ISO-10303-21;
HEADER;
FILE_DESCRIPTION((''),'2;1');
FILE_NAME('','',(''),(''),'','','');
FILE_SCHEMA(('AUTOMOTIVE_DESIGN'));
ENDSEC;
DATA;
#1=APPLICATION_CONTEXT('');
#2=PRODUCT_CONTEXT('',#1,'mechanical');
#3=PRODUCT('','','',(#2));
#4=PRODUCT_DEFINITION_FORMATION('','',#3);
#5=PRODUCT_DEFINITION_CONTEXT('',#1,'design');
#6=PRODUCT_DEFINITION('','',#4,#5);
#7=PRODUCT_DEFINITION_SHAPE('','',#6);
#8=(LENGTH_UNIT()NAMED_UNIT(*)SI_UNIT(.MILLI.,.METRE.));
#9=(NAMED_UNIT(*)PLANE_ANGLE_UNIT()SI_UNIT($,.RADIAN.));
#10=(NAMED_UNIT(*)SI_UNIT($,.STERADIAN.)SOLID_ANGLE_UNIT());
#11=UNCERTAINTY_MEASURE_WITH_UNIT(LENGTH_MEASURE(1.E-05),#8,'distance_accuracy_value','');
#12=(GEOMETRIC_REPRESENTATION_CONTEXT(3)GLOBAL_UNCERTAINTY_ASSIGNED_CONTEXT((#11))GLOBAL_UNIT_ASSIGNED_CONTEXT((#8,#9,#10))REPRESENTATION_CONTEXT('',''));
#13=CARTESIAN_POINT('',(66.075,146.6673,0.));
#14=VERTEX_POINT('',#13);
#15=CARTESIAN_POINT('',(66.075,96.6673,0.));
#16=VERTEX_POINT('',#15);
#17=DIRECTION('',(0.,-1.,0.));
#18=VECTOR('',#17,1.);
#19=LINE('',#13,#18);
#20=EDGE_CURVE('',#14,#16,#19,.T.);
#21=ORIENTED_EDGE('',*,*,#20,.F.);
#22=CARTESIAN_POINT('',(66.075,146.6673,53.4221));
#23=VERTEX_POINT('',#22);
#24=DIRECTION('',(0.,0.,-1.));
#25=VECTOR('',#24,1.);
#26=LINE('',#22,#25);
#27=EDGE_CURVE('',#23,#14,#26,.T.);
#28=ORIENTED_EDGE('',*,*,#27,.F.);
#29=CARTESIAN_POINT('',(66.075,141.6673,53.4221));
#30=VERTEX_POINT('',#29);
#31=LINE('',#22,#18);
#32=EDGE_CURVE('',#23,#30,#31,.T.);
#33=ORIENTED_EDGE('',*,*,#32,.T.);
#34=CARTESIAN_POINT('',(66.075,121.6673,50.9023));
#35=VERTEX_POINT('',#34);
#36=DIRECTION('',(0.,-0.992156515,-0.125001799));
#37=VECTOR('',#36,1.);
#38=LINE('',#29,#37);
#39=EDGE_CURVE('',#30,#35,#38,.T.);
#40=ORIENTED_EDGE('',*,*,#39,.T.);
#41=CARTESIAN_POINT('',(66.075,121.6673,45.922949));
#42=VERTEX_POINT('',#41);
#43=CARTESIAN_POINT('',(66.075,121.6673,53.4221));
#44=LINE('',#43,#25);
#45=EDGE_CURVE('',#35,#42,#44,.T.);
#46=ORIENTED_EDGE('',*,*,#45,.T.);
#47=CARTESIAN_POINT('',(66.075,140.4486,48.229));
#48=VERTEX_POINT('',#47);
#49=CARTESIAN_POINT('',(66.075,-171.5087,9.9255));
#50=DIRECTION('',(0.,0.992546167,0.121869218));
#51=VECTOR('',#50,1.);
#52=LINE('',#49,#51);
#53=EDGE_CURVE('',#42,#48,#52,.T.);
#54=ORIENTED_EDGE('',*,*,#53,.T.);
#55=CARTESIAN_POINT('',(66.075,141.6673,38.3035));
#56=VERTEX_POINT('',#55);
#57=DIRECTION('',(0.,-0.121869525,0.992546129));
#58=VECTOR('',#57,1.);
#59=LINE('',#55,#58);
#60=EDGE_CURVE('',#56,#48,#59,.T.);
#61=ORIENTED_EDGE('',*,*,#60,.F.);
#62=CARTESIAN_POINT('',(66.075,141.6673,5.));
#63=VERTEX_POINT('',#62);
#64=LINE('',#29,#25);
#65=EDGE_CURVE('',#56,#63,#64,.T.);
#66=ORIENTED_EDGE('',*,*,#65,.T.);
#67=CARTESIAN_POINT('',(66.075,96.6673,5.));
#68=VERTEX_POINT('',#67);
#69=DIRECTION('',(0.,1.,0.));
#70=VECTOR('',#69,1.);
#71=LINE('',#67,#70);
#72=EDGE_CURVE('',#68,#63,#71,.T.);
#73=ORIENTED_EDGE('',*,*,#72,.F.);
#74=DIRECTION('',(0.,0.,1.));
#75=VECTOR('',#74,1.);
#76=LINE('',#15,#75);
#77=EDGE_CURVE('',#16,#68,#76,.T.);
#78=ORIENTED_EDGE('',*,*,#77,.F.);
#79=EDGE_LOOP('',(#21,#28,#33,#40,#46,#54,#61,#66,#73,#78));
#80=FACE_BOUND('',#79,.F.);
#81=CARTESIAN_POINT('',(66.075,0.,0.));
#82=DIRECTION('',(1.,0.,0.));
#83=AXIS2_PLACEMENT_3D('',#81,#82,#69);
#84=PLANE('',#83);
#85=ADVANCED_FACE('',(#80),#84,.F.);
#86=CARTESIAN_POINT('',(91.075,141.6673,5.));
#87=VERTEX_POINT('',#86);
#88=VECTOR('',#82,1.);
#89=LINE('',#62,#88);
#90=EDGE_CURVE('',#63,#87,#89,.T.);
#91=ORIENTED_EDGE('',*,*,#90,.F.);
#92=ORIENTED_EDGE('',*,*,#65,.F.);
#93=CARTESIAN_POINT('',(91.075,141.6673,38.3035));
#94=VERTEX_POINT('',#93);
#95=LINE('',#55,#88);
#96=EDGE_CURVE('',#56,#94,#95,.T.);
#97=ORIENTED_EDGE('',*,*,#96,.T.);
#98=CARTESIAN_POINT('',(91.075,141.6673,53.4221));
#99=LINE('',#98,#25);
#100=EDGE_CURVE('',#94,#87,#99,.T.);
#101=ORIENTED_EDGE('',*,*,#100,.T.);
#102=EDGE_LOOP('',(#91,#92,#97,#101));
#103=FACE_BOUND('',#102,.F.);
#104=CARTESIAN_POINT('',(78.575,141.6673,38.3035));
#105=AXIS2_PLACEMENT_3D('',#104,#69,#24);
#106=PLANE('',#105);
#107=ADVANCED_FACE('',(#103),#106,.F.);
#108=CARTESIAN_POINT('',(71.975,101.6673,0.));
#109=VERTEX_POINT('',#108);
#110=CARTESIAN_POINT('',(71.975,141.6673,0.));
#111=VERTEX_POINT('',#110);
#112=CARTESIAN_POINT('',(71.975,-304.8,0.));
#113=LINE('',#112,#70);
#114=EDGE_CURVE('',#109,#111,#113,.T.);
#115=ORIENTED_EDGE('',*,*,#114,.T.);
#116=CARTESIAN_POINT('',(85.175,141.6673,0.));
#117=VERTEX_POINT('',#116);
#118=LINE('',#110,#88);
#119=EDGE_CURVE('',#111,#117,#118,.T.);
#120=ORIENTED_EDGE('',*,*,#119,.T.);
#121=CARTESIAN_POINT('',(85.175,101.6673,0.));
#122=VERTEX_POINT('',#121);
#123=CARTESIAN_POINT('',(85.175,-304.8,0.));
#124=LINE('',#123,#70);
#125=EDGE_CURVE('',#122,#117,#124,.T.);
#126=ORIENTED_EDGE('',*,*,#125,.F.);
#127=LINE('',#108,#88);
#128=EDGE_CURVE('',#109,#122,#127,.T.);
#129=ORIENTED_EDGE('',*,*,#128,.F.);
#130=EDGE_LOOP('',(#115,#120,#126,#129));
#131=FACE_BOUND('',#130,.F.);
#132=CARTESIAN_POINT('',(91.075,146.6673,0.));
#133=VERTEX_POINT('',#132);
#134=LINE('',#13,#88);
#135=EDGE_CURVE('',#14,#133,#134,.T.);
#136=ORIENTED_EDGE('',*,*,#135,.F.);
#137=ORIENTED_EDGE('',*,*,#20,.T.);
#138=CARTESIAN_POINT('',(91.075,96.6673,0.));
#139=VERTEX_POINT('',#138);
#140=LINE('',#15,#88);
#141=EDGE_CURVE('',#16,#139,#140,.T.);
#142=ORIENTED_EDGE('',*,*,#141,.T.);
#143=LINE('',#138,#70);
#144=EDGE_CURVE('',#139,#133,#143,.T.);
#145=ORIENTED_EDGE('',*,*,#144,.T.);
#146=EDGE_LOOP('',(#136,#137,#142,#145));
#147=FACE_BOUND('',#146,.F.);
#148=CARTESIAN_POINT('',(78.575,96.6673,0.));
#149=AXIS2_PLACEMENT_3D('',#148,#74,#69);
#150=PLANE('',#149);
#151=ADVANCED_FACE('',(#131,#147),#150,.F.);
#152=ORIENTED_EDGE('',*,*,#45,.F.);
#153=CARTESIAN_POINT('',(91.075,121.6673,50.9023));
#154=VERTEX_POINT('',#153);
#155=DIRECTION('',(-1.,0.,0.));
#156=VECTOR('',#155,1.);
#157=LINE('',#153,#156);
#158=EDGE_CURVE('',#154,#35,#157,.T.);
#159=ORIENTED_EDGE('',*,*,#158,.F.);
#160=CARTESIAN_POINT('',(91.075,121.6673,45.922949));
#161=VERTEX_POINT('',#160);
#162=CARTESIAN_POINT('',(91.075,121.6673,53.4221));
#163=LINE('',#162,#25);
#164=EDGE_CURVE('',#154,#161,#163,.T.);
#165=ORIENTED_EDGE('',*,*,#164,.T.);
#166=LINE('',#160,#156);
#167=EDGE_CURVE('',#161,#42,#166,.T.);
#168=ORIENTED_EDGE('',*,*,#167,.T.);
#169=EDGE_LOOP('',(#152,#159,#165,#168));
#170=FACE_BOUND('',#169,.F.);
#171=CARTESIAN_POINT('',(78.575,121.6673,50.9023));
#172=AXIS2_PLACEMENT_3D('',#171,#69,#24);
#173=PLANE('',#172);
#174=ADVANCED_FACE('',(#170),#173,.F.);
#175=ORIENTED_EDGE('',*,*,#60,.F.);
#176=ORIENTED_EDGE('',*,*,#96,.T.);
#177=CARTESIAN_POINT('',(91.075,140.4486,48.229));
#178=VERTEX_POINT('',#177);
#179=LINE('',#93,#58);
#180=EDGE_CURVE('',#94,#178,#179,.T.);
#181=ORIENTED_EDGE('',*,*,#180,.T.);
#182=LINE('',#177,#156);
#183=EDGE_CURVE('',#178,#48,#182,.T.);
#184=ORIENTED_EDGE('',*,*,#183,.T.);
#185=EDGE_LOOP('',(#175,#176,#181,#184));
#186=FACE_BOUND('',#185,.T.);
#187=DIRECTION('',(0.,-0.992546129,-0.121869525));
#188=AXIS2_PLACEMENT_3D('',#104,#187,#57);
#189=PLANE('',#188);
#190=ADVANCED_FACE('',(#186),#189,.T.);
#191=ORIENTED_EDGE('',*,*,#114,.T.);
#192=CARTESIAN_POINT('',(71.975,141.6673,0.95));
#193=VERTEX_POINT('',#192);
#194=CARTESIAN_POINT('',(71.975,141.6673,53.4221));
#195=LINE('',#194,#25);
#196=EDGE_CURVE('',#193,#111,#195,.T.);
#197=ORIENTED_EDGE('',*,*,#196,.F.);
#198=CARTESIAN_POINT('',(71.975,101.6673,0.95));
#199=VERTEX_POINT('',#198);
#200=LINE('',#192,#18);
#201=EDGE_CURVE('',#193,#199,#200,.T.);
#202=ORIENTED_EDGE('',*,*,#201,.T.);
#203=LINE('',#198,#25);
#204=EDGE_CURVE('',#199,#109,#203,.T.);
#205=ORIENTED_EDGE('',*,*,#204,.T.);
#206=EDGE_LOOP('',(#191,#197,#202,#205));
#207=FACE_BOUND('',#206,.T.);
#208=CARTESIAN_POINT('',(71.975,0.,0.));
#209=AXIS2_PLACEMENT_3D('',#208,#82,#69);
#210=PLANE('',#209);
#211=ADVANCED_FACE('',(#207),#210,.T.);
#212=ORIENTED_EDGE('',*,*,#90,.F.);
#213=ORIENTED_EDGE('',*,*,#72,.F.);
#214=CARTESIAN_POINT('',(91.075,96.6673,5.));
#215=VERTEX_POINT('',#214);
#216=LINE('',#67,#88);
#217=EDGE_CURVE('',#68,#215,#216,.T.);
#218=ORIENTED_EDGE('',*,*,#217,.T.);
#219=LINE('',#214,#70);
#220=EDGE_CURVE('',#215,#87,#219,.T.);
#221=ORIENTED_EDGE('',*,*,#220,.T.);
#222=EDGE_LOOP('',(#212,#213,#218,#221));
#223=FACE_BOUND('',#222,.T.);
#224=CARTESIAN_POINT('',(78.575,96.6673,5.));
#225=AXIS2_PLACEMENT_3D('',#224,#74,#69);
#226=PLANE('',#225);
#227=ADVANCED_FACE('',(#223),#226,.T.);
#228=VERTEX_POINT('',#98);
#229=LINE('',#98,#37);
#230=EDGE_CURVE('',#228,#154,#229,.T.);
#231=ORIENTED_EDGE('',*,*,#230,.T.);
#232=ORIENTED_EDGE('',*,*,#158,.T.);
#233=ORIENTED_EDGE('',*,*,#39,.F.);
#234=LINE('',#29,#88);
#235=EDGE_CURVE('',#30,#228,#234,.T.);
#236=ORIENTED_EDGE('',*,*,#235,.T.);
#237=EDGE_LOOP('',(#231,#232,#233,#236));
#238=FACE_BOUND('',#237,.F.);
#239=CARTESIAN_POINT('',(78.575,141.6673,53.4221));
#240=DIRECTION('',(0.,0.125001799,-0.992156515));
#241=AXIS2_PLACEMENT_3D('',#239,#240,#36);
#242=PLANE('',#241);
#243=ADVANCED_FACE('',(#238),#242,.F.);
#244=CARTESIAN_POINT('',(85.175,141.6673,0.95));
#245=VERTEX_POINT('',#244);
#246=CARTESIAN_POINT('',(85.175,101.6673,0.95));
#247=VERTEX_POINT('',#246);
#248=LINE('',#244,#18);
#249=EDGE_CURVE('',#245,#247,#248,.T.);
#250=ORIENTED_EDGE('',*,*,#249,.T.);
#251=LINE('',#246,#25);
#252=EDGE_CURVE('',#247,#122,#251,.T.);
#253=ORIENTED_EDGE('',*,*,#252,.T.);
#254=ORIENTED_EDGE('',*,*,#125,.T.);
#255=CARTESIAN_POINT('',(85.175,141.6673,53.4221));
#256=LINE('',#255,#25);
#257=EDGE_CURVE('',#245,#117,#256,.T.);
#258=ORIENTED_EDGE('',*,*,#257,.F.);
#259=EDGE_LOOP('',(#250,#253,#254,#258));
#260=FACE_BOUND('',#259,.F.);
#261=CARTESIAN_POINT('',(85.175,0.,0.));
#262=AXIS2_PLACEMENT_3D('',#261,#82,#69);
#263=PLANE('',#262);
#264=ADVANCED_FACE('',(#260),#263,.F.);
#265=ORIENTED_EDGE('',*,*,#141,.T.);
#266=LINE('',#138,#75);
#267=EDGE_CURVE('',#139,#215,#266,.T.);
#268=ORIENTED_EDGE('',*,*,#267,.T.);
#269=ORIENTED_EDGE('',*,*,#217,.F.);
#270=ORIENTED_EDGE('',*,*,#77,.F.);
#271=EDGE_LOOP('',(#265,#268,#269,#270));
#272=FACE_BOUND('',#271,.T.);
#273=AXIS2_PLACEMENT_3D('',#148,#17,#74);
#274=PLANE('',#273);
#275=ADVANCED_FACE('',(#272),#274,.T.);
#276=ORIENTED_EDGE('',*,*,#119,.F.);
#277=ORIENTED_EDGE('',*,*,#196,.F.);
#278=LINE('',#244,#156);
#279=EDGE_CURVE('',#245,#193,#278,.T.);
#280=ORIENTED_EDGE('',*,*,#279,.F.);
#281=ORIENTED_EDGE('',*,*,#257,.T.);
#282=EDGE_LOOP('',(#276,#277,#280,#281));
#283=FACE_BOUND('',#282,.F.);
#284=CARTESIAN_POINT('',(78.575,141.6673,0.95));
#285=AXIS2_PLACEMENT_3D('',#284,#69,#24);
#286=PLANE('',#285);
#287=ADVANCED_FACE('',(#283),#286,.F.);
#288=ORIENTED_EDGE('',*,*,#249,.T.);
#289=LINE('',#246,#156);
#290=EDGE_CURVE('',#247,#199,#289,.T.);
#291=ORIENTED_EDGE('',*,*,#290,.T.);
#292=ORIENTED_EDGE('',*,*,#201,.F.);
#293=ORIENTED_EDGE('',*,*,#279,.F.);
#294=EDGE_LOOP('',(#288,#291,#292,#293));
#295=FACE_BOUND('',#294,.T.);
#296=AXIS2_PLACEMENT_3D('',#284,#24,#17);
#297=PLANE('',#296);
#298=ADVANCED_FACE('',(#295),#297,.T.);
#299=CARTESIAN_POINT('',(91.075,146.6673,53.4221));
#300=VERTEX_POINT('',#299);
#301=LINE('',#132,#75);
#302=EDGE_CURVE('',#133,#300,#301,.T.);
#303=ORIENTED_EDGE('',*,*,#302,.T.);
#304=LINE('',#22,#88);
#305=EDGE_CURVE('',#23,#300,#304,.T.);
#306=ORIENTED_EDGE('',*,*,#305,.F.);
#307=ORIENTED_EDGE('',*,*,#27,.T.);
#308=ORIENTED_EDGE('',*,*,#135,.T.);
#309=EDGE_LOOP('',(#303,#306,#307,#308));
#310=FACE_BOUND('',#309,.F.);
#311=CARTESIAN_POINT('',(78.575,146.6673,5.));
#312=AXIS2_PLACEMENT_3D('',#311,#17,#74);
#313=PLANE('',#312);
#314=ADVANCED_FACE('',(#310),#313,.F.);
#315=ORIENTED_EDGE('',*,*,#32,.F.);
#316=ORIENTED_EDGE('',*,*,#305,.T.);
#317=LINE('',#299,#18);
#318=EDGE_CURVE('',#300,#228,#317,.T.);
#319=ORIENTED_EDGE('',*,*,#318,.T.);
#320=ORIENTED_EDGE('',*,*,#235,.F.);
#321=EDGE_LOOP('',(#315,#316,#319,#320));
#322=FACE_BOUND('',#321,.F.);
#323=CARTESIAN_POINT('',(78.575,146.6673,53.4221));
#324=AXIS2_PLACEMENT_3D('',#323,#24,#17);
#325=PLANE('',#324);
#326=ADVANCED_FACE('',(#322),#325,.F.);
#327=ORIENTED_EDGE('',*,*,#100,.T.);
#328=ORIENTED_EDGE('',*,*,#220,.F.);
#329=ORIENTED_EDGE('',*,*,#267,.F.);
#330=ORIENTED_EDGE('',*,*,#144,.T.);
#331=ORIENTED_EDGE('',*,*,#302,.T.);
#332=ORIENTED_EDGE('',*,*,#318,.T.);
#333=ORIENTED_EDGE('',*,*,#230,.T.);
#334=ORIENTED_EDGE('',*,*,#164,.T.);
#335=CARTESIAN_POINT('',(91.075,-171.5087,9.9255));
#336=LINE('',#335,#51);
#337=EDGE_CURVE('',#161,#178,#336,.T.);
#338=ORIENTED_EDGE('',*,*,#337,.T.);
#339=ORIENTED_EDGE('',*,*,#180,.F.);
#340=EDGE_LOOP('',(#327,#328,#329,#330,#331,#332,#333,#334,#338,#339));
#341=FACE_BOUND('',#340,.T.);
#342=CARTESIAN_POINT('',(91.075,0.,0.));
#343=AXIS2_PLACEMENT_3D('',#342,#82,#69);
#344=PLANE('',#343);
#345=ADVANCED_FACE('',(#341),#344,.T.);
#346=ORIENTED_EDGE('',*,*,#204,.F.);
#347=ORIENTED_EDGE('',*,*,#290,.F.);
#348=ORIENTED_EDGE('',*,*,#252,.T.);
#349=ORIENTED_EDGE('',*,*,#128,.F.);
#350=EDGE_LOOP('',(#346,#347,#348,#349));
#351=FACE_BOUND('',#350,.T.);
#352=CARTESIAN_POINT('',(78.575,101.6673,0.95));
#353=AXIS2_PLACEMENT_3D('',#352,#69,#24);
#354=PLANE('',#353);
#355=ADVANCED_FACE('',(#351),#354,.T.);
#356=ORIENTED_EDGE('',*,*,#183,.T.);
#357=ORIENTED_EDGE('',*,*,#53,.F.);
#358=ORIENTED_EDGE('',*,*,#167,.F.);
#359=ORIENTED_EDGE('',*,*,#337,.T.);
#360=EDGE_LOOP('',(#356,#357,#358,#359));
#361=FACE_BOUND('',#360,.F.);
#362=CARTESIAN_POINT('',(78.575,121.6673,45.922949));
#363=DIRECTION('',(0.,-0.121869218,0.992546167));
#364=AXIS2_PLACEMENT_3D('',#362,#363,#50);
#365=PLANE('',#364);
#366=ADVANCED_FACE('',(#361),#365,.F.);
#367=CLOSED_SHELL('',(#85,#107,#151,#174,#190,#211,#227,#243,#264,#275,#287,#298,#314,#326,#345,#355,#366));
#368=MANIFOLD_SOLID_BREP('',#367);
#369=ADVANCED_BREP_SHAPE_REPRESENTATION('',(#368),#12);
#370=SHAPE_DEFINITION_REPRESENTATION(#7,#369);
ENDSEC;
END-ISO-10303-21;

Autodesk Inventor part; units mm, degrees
ref_plane "XZ Plane" through (0, 0, 0) normal (0, 1, 0) x (-1, 0, 0)
ref_plane "XY Plane" through (0, 0, 0) normal (0, 0, 1) x (1, 0, 0)
ref_plane "Work Plane1" through (78.575, 0, 0) normal (1, 0, 0) x (0, 1, 0)
sketch "Sketch2" plane through (78.575, 0, 0) normal (1, 0, 0) x (0, 1, 0)
  line L0 (-170.29, 0) -> (141.6673, 38.3035) projected
  line L1 (141.6673, 38.3035) -> (140.4486, 48.229) projected
  line L2 (-171.5087, 9.9255) -> (140.4486, 48.229) projected
  line L3 (-170.29, 0) -> (-171.5087, 9.9255) projected
  line L4 (-304.8, 0) -> (304.8, 0) projected
  line L5 (-304.8, 0) -> (-304.8, -25.4) projected
  line L6 (304.8, -25.4) -> (-304.8, -25.4) projected
  line L7 (304.8, 0) -> (304.8, -25.4) projected
  line L8 (141.6673, 0) -> (146.6673, 0)
  line L9 (146.6673, 0) -> (146.6673, 53.4221)
  line L10 (146.6673, 53.4221) -> (141.6673, 53.4221)
  line L11 (141.6673, 53.4221) -> (141.6673, 0)
  line L12 (141.6673, 53.4221) -> (121.6673, 53.4221)
  line L13 (121.6673, 53.4221) -> (121.6673, 38.3035)
  line L14 (121.6673, 38.3035) -> (141.6673, 38.3035)
  line L15 (141.6673, 38.3035) -> (141.6673, 53.4221)
  line L16 (141.6673, 38.3035) -> (140.4486, 48.229)
  line L17 (121.6673, 45.8628) -> (140.4486, 48.229)
  line L18 (146.6673, 0) -> (96.6673, 0)
  line L19 (96.6673, 0) -> (96.6673, 5)
  line L20 (96.6673, 5) -> (146.6673, 5)
  line L21 (146.6673, 5) -> (146.6673, 0)
  line L22 (141.6673, 53.4221) -> (121.6673, 50.9023)
  line L23 (101.6673, 0) -> (141.6673, 0)
  line L24 (141.6673, 0) -> (141.6673, 0.95)
  line L25 (141.6673, 0.95) -> (101.6673, 0.95)
  line L26 (101.6673, 0.95) -> (101.6673, 0)
  point P0 (0, 0)
  point P1 (141.6673, 5)
  point P2 (121.6673, 45.9229)
  dimension "d2" = 5
  dimension "d3" = 20
  dimension "d4" = 50
  dimension "d5" = 5
  dimension "d6" = 5
  dimension "d7" = 40
  dimension "d8" = 5
  dimension "d9" = 0.95
extrude "Extrusion1" add sketch "Sketch2" along normal mid plane 25 contours L1 L2 L13 L22 L11 | L11 L10 L9 L20 | L19 L20 L11 L25 L26 L4 | L20 L9 L4 L11 | L26 L25 L11 L4
extrude "Extrusion2" cut sketch "Sketch2" along normal mid plane 13.2 contours L26 L25 L11 L4
properties part number "coverHolder_CPY"
